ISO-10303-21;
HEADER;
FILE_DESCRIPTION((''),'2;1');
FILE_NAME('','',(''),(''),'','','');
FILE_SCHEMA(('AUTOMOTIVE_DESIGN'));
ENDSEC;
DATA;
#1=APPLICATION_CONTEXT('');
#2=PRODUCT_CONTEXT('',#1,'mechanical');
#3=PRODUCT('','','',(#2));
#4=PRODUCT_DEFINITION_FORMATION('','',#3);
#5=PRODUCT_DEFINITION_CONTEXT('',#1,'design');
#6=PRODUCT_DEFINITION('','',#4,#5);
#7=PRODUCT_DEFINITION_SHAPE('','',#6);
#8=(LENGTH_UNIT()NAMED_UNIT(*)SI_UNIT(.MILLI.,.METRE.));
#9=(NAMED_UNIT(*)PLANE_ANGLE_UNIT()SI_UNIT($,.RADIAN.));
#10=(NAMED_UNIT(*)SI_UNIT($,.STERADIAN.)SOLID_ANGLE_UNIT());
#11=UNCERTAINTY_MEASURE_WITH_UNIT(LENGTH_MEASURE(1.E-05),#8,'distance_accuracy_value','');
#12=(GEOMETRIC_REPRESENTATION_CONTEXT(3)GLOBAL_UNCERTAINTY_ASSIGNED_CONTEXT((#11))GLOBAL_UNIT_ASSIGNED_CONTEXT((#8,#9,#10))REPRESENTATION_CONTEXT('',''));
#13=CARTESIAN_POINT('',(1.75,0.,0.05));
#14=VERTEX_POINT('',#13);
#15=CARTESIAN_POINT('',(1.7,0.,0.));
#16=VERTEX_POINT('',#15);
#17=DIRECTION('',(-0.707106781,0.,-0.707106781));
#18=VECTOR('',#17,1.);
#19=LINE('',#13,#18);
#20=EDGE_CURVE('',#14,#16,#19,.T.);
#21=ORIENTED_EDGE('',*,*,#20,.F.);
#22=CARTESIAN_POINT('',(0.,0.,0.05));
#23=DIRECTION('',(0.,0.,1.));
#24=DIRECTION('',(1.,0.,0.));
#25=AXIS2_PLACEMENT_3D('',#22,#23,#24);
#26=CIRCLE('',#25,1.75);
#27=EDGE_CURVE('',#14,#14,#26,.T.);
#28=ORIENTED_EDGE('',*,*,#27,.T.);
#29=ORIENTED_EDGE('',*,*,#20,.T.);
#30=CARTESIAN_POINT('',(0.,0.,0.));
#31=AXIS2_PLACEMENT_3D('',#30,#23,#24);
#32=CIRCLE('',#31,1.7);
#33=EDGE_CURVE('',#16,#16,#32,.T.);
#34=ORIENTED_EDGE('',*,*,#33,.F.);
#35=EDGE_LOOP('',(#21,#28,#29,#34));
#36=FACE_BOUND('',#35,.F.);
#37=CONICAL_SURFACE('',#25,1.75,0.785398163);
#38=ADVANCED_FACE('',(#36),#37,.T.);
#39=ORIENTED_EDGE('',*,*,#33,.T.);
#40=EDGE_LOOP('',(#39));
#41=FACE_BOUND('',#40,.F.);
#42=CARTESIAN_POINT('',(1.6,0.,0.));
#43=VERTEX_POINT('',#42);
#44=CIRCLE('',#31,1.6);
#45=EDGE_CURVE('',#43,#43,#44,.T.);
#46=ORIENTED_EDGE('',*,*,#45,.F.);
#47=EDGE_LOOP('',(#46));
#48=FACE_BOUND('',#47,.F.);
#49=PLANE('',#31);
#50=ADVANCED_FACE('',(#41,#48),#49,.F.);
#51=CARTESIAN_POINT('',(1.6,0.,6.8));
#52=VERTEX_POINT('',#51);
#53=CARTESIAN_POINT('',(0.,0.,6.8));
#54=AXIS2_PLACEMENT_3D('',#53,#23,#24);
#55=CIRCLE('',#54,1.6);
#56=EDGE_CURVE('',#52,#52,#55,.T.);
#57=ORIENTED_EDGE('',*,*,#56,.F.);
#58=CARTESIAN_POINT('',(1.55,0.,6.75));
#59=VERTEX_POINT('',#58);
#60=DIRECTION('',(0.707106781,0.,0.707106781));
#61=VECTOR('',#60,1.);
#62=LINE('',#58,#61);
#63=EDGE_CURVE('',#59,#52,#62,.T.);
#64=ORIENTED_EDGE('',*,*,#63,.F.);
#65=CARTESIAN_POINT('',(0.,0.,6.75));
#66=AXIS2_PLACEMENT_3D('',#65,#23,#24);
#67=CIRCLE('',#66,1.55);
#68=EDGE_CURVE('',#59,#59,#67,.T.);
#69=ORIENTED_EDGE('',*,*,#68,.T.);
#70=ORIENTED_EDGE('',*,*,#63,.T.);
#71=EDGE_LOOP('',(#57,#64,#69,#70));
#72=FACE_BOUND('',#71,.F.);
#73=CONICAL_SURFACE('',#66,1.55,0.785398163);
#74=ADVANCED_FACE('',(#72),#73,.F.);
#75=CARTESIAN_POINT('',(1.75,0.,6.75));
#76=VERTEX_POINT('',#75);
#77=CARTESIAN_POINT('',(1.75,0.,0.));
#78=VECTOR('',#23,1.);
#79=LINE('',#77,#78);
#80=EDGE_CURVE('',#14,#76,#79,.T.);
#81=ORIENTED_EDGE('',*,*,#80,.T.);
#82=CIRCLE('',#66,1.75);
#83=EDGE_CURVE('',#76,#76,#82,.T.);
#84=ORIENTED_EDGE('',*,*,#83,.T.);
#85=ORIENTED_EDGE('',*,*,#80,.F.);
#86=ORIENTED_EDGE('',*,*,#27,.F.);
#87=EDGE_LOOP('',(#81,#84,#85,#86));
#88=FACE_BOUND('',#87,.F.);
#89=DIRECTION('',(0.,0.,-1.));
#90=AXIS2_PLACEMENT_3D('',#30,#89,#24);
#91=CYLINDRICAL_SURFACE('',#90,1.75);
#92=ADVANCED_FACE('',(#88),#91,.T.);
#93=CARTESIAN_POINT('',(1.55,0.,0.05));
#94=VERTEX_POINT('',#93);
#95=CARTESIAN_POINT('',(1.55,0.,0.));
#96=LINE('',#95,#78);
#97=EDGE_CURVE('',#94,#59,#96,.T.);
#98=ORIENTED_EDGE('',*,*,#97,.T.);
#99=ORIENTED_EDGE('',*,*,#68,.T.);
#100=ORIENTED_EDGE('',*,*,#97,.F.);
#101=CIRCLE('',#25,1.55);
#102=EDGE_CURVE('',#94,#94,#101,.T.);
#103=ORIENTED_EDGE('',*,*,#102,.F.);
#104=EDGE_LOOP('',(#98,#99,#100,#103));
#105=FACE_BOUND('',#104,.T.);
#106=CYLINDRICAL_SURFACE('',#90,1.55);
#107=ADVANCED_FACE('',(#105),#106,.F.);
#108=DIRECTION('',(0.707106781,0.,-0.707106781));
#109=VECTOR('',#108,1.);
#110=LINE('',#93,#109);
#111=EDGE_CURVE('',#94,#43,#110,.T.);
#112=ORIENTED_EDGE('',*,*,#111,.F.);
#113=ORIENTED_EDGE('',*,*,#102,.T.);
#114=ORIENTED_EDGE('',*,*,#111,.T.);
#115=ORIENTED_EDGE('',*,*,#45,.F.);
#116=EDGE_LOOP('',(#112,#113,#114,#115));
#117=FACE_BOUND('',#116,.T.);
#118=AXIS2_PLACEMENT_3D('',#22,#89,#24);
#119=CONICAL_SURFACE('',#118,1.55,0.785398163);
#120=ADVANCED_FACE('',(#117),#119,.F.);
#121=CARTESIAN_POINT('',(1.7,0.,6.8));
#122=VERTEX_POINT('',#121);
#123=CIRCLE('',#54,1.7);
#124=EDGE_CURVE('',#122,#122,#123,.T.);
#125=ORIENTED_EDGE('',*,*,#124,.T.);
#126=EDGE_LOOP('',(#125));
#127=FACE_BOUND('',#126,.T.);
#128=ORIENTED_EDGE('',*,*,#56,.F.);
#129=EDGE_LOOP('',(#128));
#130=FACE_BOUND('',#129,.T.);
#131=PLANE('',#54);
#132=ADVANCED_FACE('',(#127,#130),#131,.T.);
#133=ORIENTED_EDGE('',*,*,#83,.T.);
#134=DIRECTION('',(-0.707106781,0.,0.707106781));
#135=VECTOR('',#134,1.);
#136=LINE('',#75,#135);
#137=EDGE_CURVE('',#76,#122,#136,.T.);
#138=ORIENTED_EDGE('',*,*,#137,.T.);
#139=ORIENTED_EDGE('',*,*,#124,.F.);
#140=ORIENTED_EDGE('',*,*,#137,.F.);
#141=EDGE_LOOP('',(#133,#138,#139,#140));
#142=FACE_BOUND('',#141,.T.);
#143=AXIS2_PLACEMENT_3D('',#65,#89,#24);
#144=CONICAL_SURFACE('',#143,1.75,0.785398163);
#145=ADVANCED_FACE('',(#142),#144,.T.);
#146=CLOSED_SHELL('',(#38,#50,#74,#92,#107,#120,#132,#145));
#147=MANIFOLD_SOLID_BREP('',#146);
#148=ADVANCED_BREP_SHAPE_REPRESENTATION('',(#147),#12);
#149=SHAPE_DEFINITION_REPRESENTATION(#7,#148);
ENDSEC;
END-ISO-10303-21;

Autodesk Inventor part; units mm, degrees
ref_plane "YZ Plane" through (0, 0, 0) normal (1, 0, 0) x (0, 1, 0)
ref_plane "XZ Plane" through (0, 0, 0) normal (0, 1, 0) x (-1, 0, 0)
ref_plane "XY Plane" through (0, 0, 0) normal (0, 0, 1) x (1, 0, 0)
sketch "Sketch1" plane through (0, 0, 0) normal (0, 0, 1) x (1, 0, 0)
  line L0 (0, -2.45) -> (0, 2.45) construction
  line L1 (-2.45, 0) -> (2.45, 0) construction
  circle A0 centre (0, 0) radius 1.75
  circle A1 centre (0, 0) radius 1.55
  dimension "d0" = 3.5
  dimension "d1" = 0.2
extrude "Extrusion1" add sketch "Sketch1" along normal blind 6.8
chamfer "Chamfer1" distance 0.05 angle 45 4 edges at (-1.75, 0, 6.8) (-1.55, 0, 6.8) (-1.75, 0, 0) (-1.55, 0, 0)
properties part number "MotorBeltTensionerSleeve 5mm"
